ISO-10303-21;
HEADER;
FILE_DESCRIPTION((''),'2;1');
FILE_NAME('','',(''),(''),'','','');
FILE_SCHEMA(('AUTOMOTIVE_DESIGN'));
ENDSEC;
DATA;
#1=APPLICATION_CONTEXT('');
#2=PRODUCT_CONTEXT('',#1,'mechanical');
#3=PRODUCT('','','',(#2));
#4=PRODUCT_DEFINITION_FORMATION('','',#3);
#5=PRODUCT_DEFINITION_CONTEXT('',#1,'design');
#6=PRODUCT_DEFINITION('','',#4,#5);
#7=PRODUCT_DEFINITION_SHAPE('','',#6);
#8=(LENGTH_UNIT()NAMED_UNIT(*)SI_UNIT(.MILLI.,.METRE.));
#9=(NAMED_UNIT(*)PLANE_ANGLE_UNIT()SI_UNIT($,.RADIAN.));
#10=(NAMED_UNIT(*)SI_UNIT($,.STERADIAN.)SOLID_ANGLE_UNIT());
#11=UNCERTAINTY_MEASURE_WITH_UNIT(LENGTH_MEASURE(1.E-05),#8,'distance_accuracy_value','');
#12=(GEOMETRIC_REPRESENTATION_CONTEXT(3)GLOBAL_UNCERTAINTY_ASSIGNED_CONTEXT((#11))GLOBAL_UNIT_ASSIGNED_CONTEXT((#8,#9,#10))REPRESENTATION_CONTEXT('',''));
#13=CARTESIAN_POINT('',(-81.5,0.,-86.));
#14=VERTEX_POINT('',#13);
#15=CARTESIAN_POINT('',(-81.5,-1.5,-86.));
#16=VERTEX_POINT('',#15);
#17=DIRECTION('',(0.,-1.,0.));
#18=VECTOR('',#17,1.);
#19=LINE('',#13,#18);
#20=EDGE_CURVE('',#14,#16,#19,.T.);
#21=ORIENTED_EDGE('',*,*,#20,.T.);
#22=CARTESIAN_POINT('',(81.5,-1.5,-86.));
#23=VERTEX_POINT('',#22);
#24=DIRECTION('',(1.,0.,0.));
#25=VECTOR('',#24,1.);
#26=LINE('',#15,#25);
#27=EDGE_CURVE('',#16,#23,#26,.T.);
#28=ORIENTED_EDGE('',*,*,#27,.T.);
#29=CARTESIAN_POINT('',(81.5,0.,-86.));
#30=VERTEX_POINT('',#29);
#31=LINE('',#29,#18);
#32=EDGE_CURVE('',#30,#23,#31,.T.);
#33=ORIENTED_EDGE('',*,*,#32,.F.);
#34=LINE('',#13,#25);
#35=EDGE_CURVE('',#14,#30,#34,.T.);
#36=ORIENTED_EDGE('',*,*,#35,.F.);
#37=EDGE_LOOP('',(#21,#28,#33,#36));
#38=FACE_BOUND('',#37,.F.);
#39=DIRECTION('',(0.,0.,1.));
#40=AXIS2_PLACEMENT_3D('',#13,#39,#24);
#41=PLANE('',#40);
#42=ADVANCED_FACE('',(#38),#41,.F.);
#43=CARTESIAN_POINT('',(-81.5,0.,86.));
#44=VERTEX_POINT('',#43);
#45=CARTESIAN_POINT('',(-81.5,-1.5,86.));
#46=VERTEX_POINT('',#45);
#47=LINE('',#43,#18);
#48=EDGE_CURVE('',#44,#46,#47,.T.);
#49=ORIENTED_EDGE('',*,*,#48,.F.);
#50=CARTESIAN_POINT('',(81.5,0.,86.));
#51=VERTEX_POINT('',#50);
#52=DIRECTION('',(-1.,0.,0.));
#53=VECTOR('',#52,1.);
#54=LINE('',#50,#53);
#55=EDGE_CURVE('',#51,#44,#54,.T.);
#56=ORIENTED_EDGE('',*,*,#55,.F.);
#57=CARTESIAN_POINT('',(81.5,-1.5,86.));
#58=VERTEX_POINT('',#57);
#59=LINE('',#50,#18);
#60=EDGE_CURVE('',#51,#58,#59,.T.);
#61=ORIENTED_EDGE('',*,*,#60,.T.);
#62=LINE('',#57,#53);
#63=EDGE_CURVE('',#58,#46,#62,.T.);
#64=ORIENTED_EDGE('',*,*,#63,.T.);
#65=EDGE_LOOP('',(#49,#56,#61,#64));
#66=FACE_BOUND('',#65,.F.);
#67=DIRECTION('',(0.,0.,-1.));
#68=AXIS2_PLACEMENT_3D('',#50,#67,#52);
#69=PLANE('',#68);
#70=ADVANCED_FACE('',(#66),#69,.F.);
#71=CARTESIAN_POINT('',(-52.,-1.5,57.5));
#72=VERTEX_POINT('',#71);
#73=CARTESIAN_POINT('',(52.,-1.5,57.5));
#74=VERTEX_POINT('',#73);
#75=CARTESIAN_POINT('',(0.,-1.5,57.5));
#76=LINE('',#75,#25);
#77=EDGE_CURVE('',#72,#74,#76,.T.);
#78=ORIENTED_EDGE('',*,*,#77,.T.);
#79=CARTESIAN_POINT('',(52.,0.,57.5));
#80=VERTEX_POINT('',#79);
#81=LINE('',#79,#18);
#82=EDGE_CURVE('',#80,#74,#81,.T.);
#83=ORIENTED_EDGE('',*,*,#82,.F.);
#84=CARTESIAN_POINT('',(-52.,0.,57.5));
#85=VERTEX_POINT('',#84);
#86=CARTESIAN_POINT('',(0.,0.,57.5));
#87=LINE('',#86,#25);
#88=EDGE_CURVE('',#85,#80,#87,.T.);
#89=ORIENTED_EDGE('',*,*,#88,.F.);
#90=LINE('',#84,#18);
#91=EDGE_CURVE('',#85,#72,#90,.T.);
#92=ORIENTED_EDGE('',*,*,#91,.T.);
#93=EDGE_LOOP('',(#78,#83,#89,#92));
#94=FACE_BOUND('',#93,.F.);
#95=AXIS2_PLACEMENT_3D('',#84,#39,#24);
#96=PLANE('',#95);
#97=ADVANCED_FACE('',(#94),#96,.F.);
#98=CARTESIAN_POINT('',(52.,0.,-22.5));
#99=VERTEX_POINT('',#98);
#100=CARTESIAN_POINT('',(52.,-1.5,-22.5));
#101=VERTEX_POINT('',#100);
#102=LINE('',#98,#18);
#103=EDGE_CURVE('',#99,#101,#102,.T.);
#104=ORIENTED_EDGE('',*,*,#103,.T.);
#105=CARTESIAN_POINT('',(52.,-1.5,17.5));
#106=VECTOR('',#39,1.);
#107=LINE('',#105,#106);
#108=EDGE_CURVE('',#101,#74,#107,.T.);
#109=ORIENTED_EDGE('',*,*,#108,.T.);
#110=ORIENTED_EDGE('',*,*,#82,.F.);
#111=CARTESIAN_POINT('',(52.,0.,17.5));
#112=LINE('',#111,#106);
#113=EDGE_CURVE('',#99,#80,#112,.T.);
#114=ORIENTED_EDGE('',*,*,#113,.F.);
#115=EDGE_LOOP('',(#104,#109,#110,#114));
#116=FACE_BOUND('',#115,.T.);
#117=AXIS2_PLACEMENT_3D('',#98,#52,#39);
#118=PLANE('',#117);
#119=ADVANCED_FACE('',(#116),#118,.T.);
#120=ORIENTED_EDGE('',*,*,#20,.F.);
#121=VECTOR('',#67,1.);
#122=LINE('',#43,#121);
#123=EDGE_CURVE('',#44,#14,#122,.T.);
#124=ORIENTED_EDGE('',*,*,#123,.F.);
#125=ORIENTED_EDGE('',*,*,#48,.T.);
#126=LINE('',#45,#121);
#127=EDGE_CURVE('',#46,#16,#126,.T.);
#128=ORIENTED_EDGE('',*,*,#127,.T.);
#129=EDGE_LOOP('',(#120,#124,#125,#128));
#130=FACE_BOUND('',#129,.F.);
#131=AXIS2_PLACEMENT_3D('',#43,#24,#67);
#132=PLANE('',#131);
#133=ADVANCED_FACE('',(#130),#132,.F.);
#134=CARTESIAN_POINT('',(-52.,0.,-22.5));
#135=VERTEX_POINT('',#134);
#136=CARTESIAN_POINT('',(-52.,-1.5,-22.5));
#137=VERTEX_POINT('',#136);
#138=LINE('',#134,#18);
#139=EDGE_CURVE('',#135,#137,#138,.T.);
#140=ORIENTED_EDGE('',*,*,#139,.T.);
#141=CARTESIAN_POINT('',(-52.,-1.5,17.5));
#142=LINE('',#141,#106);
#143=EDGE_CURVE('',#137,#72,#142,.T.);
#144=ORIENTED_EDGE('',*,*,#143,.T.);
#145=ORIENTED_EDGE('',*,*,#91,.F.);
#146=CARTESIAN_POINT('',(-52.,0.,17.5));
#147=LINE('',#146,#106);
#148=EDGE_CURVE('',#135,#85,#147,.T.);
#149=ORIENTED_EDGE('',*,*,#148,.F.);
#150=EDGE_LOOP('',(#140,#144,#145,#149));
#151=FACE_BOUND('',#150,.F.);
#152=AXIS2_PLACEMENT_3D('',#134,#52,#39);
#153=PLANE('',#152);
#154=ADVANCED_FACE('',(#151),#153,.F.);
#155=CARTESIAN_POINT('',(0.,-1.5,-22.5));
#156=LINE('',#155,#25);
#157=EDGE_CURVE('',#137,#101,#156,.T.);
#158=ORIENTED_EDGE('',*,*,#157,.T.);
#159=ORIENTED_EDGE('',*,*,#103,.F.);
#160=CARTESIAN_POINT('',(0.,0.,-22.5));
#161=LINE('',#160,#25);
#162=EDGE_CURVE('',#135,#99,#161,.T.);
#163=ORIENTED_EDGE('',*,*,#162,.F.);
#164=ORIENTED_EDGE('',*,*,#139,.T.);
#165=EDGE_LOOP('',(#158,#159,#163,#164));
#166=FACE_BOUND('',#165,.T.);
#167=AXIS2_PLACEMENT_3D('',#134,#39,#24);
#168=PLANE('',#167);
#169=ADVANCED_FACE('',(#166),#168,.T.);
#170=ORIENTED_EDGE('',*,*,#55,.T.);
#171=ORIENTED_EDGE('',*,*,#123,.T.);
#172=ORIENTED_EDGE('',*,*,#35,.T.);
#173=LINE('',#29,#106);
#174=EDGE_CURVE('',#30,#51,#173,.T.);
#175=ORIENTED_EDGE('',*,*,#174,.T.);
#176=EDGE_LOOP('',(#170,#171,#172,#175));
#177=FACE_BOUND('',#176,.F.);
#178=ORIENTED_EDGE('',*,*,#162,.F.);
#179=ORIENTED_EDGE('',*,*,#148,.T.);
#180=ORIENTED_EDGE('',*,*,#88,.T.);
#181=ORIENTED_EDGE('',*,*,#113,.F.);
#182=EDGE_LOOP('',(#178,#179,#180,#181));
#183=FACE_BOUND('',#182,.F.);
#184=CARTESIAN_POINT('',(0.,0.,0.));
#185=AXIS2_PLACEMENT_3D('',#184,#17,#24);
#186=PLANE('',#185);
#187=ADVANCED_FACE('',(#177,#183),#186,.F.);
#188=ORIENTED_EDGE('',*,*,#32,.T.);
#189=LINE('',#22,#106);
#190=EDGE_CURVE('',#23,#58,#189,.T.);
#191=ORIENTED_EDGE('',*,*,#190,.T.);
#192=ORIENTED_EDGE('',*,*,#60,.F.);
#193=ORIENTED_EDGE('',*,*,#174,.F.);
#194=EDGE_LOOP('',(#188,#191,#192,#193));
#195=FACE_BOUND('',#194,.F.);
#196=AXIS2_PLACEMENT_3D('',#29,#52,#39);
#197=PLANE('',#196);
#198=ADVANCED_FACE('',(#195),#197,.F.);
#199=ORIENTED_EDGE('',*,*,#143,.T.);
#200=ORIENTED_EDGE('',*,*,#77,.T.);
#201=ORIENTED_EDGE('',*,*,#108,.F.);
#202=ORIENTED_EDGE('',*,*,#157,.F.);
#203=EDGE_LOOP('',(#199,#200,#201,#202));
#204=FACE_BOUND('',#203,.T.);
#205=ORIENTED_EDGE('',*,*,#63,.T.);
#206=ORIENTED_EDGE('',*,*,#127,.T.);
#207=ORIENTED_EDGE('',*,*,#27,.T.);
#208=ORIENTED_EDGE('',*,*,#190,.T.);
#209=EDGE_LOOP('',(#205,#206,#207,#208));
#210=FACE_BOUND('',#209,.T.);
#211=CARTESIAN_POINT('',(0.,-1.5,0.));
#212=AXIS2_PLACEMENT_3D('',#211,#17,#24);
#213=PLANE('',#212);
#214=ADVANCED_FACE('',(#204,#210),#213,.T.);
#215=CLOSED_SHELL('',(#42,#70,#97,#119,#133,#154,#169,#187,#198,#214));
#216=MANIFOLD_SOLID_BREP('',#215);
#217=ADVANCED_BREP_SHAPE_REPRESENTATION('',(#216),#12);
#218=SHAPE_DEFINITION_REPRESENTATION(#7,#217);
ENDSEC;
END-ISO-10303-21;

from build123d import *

# Parameters (mm, degrees)
F0_W     = 104
F0_H     = 80
F1_DEPTH = 1.5


with BuildPart() as f1:
    # F0 (on Front) → F1 (new body)
    with BuildSketch(Plane.XZ):
        Polygon((81.5, -86), (81.5, 86), (-81.5, 86), (-81.5, -86), (-3, -86), (3, -86), align=None)
        with Locations((0, 17.5)):
            Rectangle(F0_W, F0_H, mode=Mode.SUBTRACT)
    extrude(amount=F1_DEPTH)


solid = f1.part
